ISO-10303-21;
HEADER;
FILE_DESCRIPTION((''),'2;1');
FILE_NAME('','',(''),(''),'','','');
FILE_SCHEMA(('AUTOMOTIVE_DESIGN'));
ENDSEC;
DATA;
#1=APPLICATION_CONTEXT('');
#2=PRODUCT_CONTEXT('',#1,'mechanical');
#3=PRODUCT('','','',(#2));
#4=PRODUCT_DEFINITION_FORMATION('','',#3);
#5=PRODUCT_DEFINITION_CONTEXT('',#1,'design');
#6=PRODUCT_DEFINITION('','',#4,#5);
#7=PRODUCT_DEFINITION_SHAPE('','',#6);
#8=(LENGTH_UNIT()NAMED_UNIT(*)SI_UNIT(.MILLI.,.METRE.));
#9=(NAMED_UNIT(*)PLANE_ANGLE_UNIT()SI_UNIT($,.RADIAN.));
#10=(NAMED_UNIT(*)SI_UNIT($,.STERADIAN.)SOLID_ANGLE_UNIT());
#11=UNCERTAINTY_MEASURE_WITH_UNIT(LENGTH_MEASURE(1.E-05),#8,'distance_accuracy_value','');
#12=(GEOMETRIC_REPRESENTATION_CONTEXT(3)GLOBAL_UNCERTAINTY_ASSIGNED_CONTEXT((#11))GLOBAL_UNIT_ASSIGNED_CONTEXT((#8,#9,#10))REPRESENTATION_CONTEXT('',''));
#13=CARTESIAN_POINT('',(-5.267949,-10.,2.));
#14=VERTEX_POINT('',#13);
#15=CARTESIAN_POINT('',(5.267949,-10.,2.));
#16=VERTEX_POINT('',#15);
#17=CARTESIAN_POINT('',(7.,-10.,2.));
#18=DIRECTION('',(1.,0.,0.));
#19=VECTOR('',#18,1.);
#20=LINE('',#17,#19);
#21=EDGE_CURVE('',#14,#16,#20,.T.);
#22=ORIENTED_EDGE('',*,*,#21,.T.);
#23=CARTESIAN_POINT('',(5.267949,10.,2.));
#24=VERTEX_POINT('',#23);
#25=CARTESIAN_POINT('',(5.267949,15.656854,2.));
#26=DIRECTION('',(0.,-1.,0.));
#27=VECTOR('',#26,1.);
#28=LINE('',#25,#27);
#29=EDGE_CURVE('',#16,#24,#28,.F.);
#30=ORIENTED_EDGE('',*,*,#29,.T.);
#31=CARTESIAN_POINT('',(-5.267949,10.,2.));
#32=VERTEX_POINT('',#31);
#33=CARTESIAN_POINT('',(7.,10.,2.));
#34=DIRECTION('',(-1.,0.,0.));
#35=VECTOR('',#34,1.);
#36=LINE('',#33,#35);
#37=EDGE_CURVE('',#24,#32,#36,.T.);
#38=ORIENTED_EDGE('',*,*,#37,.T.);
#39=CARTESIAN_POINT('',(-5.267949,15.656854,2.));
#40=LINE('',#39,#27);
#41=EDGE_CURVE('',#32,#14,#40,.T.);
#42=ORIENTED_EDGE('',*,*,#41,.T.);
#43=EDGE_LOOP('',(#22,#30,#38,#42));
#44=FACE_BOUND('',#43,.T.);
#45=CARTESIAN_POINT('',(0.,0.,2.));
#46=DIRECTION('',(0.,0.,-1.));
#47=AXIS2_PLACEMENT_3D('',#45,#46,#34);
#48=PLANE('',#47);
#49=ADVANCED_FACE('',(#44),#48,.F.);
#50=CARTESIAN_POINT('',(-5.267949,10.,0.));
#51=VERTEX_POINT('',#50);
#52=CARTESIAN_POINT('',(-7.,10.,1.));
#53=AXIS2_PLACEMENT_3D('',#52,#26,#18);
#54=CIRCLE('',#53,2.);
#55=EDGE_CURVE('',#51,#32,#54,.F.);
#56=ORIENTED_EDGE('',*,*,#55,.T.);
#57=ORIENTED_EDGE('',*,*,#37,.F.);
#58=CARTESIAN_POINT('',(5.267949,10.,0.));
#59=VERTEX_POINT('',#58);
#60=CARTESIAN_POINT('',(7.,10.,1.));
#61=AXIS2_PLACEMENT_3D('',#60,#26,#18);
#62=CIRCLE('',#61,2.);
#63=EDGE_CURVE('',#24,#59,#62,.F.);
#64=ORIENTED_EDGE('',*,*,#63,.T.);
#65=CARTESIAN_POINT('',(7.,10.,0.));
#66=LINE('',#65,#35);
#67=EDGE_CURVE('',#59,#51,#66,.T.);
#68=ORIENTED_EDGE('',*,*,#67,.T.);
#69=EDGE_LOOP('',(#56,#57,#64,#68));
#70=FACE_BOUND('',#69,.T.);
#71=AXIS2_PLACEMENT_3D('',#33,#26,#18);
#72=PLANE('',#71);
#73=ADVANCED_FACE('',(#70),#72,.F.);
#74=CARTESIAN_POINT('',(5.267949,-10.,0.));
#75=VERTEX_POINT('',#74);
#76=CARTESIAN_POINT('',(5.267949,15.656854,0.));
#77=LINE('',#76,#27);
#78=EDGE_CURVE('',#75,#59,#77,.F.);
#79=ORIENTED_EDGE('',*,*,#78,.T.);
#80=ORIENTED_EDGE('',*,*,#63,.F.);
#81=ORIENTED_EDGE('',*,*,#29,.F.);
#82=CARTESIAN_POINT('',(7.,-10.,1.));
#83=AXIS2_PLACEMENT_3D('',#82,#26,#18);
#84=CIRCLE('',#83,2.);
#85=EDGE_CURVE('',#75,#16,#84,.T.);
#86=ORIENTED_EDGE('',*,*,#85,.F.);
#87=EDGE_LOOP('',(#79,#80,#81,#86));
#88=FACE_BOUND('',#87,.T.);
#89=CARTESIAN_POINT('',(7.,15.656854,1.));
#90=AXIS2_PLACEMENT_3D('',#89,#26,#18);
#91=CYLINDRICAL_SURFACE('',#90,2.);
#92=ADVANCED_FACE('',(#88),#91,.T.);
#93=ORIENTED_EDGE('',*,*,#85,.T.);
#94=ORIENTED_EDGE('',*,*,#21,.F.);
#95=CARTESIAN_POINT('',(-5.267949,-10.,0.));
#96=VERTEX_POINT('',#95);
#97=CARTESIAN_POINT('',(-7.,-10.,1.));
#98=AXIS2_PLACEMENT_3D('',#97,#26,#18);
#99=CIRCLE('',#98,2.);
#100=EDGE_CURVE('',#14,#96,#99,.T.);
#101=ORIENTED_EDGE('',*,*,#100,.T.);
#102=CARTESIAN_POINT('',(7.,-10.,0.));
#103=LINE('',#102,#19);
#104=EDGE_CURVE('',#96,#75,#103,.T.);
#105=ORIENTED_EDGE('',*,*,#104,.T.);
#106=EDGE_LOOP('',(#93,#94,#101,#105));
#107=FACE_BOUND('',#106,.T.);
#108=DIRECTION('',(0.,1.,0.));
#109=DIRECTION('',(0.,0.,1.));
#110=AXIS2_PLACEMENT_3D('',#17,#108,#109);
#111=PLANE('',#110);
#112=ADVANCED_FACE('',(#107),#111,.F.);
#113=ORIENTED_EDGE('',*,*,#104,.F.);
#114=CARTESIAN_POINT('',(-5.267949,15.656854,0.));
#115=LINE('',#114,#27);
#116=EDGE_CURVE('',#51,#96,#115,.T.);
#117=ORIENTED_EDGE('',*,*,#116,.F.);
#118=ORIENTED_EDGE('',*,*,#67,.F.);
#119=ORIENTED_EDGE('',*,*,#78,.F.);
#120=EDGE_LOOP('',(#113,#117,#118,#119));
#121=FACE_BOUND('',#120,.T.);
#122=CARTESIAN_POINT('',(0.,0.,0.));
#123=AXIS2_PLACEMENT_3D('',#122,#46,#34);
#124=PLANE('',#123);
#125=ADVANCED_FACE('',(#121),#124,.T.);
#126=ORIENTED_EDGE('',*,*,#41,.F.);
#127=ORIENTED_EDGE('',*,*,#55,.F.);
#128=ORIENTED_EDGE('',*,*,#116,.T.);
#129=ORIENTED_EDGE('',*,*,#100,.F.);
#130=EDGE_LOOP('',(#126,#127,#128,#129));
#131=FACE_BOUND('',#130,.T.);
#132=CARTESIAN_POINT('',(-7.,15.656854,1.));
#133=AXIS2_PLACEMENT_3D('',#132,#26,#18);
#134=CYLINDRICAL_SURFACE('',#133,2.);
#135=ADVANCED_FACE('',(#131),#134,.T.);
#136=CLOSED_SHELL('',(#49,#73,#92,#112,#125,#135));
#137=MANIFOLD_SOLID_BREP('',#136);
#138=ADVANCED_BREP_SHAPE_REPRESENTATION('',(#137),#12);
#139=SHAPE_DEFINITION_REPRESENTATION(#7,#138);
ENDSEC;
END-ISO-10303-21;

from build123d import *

# Parameters (mm, degrees)
SKETCH1_W           = 14
SKETCH1_H           = 20
BOSS_EXTRUDE1_DEPTH = 2
SKETCH4_R           = 2
BOSS_EXTRUDE4_DEPTH = 20


with BuildPart() as part:
    # Sketch1 → Boss-Extrude1 (new body)
    with BuildSketch(Plane.XY):
        Rectangle(SKETCH1_W, SKETCH1_H)
    extrude(amount=BOSS_EXTRUDE1_DEPTH)

    # Sketch4 → Boss-Extrude4 (add)
    with BuildSketch(Plane.XZ.offset(10)):
        with Locations((-7, 1)):
            Circle(SKETCH4_R)
        with Locations((7, 1)):
            Circle(SKETCH4_R)
    extrude(amount=-BOSS_EXTRUDE4_DEPTH)


solid = part.part
